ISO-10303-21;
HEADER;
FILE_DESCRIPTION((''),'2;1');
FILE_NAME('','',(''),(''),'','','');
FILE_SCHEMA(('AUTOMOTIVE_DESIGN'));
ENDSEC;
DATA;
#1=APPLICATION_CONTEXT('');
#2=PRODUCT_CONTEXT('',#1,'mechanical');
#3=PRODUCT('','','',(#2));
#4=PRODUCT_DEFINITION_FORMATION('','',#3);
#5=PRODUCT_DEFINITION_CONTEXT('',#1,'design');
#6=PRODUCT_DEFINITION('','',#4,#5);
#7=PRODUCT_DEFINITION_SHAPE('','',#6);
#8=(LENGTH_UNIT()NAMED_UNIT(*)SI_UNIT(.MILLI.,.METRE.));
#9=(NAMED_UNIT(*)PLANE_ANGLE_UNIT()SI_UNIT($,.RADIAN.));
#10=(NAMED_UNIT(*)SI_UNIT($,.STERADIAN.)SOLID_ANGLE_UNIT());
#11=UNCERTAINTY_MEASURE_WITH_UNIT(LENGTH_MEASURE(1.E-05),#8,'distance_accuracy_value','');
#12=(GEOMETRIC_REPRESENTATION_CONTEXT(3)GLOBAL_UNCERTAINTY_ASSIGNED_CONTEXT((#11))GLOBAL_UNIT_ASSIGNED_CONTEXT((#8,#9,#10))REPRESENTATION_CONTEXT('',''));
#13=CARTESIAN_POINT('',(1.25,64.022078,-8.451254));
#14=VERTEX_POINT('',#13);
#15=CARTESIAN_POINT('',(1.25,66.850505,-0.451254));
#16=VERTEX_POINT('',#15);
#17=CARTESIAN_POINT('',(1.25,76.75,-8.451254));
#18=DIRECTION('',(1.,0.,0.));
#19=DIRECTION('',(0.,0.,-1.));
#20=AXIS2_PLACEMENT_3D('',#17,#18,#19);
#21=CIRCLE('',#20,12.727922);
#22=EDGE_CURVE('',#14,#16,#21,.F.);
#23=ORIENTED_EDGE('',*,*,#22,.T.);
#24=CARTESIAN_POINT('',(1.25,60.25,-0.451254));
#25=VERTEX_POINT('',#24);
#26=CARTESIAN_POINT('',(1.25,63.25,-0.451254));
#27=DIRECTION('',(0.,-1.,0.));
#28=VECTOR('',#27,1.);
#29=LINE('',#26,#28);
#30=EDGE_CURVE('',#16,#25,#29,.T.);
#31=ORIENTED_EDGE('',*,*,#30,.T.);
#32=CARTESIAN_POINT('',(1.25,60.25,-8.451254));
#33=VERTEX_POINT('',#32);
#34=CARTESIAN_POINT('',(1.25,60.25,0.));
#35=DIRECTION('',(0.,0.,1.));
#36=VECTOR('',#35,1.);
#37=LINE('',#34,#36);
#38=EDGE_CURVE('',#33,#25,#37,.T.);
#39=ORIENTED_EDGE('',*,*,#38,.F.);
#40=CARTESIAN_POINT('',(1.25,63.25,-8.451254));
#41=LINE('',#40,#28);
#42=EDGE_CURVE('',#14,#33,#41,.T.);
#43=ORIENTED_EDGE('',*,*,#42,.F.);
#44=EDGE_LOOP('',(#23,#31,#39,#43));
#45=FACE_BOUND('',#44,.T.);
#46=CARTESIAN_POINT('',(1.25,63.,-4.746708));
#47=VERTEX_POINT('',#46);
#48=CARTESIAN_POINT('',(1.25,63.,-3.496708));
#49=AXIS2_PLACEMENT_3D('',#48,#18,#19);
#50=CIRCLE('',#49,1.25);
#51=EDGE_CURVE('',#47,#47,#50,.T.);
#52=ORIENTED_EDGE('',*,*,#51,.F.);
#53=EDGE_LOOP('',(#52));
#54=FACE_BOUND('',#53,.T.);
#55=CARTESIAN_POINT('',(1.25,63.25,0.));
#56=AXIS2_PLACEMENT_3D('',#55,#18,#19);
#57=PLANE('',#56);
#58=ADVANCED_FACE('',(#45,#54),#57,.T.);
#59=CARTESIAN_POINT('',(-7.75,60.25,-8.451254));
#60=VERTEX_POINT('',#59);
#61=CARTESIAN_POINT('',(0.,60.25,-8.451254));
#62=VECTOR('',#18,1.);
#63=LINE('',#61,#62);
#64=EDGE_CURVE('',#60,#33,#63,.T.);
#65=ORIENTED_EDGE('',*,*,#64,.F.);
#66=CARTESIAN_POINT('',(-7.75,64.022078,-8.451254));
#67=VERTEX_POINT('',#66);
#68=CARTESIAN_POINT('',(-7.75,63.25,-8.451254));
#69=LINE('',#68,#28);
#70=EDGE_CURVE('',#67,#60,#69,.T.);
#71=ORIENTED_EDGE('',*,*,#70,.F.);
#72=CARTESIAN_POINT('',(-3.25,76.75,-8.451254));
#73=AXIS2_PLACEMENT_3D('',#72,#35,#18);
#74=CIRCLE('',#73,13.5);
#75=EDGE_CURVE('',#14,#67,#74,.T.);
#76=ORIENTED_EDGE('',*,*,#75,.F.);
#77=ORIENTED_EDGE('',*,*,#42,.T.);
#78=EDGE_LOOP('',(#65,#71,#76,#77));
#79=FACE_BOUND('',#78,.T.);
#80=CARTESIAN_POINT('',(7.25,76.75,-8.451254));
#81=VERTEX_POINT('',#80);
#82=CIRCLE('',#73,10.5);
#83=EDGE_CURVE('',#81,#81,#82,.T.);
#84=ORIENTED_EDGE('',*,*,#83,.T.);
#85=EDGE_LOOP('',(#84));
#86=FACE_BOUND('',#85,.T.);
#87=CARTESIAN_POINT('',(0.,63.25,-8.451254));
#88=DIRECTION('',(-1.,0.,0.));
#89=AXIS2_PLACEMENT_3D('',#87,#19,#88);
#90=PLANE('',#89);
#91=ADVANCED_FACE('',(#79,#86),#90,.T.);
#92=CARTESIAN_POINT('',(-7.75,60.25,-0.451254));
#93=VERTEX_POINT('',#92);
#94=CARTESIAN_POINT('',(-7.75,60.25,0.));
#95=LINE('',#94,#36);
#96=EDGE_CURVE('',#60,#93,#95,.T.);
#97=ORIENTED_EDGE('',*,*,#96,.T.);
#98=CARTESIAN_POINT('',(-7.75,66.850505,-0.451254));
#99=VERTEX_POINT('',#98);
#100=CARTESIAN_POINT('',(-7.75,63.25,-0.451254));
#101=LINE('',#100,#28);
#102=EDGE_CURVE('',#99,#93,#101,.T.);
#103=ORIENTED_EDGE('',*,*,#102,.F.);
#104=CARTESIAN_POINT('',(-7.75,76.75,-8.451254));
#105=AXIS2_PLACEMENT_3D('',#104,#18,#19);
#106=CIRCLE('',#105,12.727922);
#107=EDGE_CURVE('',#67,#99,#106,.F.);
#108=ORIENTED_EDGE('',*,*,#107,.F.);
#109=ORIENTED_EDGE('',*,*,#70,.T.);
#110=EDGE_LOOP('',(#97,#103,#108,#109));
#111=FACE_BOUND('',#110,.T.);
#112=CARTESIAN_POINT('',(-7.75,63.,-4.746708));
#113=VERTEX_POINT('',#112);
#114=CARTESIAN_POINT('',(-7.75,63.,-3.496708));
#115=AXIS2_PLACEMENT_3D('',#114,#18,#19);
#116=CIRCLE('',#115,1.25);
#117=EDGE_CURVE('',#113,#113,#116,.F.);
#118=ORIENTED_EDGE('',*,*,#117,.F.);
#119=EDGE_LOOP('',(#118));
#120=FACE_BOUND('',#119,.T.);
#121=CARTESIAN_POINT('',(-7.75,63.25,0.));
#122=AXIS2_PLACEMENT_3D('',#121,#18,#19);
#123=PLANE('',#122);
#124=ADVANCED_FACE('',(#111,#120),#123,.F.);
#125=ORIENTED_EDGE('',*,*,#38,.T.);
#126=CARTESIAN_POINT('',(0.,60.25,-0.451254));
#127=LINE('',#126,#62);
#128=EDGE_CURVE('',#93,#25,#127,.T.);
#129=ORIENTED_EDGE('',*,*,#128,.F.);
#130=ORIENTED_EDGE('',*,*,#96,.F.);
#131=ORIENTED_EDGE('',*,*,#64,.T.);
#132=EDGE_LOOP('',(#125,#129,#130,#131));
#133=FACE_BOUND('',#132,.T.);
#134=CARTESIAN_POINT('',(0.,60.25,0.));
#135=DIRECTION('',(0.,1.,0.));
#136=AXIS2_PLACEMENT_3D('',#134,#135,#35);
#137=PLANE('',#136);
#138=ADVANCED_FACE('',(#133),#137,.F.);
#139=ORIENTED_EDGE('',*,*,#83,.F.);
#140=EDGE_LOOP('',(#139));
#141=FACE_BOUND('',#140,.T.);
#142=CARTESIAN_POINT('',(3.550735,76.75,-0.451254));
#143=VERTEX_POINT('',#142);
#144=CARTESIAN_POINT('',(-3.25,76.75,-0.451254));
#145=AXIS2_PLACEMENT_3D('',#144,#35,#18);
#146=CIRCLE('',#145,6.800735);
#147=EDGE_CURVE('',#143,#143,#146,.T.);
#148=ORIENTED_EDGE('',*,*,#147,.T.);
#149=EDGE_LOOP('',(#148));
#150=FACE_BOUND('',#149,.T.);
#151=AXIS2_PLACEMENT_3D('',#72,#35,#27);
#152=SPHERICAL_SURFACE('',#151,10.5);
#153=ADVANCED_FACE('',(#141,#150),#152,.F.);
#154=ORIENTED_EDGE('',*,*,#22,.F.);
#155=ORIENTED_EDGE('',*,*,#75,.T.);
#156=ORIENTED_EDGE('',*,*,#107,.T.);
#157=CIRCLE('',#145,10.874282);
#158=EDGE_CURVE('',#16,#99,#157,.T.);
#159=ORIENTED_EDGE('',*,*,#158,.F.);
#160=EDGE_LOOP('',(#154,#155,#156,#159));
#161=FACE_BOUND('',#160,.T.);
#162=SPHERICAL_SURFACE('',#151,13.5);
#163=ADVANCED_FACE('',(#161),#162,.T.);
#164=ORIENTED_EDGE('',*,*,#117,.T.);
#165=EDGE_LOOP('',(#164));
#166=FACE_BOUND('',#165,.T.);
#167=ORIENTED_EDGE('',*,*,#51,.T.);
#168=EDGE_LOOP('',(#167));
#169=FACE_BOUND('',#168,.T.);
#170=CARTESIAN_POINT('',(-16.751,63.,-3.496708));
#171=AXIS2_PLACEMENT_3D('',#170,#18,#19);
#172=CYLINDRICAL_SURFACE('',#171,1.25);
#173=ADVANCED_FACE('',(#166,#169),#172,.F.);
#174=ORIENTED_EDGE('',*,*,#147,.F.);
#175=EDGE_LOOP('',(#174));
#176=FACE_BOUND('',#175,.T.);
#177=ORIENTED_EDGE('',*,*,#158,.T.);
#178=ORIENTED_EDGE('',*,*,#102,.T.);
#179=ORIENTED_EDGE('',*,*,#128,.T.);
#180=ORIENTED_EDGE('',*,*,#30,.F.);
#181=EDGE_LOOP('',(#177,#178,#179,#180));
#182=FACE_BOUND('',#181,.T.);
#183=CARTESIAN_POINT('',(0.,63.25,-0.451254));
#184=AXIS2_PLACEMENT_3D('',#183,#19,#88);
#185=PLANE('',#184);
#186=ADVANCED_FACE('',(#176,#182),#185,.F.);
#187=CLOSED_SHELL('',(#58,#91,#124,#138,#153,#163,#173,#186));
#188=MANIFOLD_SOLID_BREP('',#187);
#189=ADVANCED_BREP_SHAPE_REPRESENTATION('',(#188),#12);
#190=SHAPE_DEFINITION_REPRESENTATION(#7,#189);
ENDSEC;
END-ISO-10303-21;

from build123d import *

# Parameters (mm, degrees)
SKETCH4_W                = 9
SKETCH4_H                = 8
BASEBOSS_DEPTH           = 3
BOSS_EXTRUDE3_REACH      = 37.383
BOSS_EXTRUDE3_END_RADIUS = 13.5
SKETCH4_5_W              = 9
SKETCH4_5_H              = 8
CUT_EXTRUDE2_REACH       = 94.415
SKETCH7_R                = 1.25


with BuildPart() as part:
    # Sketch4 → BaseBoss (new body)
    with BuildSketch(Plane(origin=(0, 60.25, 0), x_dir=(1, 0, 0), z_dir=(0, 1, 0))):
        with Locations((-3.25, 4.451253904)):
            Rectangle(SKETCH4_W, SKETCH4_H)
    extrude(amount=BASEBOSS_DEPTH)



with BuildPart() as body_2:
    # Sketch5 → CoverRevolve (revolve)
    with BuildSketch(Plane.ZY.offset(3.25), mode=Mode.PRIVATE) as coverrevolve_sk:
        with BuildLine():
            Line((-8.451253904, 63.25), (-8.451253904, 66.25))
            ThreePointArc((-8.451253904, 66.25), (-4.044311663, 67.219582376), (-0.451253904, 69.949264746))
            Line((-0.451253904, 69.949264746), (-0.451253904, 65.875718415))
            ThreePointArc((-0.451253904, 65.875718415), (-4.24131337, 63.923215496), (-8.451253904, 63.25))
        make_face()
    revolve(coverrevolve_sk.sketch.rotate(Axis((-3.25, 76.75, -0.451253904), (0, 0, -1)), 270), axis=Axis((-3.25, 76.75, -0.451253904), (0, 0, -1)))


with BuildPart() as part_1:
    add(part.part)

    add(body_2.part)  # Boss-Extrude3 merges body 2
    # Boss-Extrude3: up to this sphere (the profile starts outside it)
    boss_extrude3_end = Location((-3.25, 76.75, -8.451253904)) * Sphere(BOSS_EXTRUDE3_END_RADIUS, mode=Mode.PRIVATE)
    # Sketch4<5> → Boss-Extrude3 (add, up to the surface)
    with BuildSketch(Plane(origin=(0, 60.25, 0), x_dir=(1, 0, 0), z_dir=(0, 1, 0)), mode=Mode.PRIVATE) as boss_extrude3_sk1:
        with Locations((-3.25, 4.451253904)):
            Rectangle(SKETCH4_5_W, SKETCH4_5_H)
    boss_extrude3_tool1 = extrude(boss_extrude3_sk1.sketch, amount=BOSS_EXTRUDE3_REACH, mode=Mode.PRIVATE) - boss_extrude3_end
    add(boss_extrude3_tool1.solids().sort_by_distance((-3.25, 60.25, -4.451254))[0])

    # Sketch7 → Cut-Extrude2 (cut, up to next)
    with BuildSketch(Plane(origin=(1.25, 0, 0), x_dir=(0, 0, -1), z_dir=(1, 0, 0)), mode=Mode.PRIVATE) as cut_extrude2_sk1:
        with Locations((3.496708449, 63)):
            Circle(SKETCH7_R)
    cut_extrude2_tool1 = extrude(cut_extrude2_sk1.sketch, amount=-CUT_EXTRUDE2_REACH, mode=Mode.PRIVATE) & part_1.part
    add(cut_extrude2_tool1.solids().sort_by_distance((1.25, 63, -3.496708))[0], mode=Mode.SUBTRACT)


solid = part_1.part
